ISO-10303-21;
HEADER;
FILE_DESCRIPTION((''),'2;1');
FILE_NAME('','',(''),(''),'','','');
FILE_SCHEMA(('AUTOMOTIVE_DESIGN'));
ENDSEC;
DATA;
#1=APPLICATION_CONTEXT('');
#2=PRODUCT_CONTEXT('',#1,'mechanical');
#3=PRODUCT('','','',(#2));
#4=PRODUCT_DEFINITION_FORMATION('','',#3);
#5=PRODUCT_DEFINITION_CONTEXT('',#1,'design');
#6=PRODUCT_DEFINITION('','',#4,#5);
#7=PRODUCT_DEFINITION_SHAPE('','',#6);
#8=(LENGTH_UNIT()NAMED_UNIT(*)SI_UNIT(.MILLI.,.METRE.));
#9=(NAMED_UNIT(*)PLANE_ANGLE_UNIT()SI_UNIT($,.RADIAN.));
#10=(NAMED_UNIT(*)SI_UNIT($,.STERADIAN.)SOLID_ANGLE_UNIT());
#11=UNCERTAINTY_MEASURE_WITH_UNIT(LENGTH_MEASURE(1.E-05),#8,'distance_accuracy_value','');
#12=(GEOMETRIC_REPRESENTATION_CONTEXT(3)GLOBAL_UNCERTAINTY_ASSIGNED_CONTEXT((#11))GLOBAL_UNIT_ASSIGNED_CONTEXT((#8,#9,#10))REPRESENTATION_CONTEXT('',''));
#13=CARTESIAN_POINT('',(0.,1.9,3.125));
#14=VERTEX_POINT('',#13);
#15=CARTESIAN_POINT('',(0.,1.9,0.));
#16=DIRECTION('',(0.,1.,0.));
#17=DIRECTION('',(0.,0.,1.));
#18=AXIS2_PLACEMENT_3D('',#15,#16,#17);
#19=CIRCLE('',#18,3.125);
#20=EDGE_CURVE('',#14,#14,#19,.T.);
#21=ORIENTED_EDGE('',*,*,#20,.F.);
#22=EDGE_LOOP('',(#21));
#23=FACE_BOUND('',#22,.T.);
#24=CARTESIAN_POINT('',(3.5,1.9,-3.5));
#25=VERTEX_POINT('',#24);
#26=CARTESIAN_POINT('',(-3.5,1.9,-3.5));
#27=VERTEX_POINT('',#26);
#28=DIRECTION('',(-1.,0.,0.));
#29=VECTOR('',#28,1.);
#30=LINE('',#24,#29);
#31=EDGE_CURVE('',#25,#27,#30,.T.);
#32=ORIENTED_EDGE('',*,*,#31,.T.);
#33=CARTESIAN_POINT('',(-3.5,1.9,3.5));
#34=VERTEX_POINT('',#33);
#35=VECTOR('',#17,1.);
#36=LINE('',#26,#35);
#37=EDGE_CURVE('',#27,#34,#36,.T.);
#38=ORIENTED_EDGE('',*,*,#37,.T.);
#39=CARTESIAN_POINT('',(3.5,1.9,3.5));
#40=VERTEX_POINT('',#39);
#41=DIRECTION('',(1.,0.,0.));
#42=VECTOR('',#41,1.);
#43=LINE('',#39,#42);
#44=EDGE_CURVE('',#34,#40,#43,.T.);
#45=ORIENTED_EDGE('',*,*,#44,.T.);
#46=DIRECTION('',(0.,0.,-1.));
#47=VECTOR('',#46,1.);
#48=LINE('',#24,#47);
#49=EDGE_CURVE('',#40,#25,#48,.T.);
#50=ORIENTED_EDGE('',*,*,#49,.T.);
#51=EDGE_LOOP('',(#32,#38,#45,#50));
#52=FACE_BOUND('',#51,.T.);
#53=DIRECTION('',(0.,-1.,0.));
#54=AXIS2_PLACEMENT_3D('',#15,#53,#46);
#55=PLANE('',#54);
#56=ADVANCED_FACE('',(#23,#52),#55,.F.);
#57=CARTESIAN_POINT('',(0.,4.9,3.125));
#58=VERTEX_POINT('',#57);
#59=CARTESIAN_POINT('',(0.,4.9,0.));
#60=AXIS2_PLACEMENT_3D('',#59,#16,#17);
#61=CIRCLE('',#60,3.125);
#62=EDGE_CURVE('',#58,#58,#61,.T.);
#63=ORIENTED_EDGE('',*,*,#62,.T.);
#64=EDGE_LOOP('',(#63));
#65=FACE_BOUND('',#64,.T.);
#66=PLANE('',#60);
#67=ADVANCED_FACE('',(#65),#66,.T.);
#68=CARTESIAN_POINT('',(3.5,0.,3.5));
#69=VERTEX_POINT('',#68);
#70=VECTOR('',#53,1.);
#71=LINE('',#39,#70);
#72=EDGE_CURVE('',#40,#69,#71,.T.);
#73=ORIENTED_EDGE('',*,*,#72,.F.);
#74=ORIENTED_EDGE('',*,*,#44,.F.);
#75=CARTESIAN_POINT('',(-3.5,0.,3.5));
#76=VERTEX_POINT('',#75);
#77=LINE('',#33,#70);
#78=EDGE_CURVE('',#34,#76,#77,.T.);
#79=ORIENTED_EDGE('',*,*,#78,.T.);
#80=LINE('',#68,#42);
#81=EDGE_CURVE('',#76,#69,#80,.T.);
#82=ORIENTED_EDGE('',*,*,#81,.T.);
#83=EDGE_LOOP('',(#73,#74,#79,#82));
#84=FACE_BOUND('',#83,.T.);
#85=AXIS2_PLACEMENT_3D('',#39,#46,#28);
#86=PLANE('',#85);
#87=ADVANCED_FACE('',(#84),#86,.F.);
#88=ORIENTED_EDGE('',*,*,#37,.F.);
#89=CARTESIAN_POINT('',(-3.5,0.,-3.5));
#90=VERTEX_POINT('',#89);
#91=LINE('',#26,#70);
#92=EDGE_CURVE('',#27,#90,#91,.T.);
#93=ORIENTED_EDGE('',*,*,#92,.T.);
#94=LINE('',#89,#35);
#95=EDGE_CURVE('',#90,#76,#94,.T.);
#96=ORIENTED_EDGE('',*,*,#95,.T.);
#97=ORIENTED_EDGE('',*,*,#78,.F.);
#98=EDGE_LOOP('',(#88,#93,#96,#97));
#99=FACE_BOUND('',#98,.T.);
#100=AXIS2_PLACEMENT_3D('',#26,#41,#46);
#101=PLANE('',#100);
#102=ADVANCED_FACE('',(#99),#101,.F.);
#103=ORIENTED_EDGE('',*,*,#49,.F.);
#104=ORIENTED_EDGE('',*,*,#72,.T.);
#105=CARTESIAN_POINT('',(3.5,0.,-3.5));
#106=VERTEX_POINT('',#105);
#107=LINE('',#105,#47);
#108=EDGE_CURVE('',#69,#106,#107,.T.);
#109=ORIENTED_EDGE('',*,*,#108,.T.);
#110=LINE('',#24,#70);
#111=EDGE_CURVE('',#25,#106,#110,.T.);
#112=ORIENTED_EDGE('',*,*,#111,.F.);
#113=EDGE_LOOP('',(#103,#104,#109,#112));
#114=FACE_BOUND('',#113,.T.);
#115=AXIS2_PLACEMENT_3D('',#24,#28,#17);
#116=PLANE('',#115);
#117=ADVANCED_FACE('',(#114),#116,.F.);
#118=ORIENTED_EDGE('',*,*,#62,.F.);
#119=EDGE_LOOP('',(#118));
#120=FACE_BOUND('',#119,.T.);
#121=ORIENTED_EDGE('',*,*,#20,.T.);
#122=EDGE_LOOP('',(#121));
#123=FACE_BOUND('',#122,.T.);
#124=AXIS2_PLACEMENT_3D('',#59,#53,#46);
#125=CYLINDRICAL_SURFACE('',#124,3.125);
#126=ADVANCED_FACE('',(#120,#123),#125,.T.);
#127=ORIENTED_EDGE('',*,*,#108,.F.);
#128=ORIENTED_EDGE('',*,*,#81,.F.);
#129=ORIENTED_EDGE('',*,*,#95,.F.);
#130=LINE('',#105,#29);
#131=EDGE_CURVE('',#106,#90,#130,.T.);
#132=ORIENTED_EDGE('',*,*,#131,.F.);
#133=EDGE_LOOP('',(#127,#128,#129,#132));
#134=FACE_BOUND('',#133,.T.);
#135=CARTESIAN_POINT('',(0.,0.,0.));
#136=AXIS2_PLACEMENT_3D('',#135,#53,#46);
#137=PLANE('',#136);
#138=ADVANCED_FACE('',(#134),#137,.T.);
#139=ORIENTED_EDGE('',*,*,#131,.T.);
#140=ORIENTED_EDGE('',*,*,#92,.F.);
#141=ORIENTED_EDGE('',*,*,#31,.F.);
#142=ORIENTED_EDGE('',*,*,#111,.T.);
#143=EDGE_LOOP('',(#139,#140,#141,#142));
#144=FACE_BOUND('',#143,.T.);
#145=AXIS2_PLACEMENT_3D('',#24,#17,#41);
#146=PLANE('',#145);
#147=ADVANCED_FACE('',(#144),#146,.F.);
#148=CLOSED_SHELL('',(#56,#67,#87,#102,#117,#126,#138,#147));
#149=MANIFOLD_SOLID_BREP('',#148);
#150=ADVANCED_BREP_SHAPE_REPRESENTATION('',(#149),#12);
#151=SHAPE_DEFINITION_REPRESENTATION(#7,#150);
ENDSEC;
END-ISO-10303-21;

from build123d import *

# Parameters (mm, degrees)
SKETCH1_W           = 7
SKETCH1_H           = 7
BOSS_EXTRUDE1_DEPTH = 1.9
SKETCH2_R           = 3.125
BOSS_EXTRUDE2_DEPTH = 3


with BuildPart() as part:
    # Sketch1 → Boss-Extrude1 (new body)
    with BuildSketch(Plane(origin=(0, 0, 0), x_dir=(1, 0, 0), z_dir=(0, 1, 0))):
        Rectangle(SKETCH1_W, SKETCH1_H)
    extrude(amount=BOSS_EXTRUDE1_DEPTH)

    # Sketch2 → Boss-Extrude2 (add)
    with BuildSketch(Plane(origin=(0, 1.9, 0), x_dir=(1, 0, 0), z_dir=(0, 1, 0))):
        with Locations(Location((0, 0, 0), (0, 0, 270))):
            Circle(SKETCH2_R)
    extrude(amount=BOSS_EXTRUDE2_DEPTH)


solid = part.part
